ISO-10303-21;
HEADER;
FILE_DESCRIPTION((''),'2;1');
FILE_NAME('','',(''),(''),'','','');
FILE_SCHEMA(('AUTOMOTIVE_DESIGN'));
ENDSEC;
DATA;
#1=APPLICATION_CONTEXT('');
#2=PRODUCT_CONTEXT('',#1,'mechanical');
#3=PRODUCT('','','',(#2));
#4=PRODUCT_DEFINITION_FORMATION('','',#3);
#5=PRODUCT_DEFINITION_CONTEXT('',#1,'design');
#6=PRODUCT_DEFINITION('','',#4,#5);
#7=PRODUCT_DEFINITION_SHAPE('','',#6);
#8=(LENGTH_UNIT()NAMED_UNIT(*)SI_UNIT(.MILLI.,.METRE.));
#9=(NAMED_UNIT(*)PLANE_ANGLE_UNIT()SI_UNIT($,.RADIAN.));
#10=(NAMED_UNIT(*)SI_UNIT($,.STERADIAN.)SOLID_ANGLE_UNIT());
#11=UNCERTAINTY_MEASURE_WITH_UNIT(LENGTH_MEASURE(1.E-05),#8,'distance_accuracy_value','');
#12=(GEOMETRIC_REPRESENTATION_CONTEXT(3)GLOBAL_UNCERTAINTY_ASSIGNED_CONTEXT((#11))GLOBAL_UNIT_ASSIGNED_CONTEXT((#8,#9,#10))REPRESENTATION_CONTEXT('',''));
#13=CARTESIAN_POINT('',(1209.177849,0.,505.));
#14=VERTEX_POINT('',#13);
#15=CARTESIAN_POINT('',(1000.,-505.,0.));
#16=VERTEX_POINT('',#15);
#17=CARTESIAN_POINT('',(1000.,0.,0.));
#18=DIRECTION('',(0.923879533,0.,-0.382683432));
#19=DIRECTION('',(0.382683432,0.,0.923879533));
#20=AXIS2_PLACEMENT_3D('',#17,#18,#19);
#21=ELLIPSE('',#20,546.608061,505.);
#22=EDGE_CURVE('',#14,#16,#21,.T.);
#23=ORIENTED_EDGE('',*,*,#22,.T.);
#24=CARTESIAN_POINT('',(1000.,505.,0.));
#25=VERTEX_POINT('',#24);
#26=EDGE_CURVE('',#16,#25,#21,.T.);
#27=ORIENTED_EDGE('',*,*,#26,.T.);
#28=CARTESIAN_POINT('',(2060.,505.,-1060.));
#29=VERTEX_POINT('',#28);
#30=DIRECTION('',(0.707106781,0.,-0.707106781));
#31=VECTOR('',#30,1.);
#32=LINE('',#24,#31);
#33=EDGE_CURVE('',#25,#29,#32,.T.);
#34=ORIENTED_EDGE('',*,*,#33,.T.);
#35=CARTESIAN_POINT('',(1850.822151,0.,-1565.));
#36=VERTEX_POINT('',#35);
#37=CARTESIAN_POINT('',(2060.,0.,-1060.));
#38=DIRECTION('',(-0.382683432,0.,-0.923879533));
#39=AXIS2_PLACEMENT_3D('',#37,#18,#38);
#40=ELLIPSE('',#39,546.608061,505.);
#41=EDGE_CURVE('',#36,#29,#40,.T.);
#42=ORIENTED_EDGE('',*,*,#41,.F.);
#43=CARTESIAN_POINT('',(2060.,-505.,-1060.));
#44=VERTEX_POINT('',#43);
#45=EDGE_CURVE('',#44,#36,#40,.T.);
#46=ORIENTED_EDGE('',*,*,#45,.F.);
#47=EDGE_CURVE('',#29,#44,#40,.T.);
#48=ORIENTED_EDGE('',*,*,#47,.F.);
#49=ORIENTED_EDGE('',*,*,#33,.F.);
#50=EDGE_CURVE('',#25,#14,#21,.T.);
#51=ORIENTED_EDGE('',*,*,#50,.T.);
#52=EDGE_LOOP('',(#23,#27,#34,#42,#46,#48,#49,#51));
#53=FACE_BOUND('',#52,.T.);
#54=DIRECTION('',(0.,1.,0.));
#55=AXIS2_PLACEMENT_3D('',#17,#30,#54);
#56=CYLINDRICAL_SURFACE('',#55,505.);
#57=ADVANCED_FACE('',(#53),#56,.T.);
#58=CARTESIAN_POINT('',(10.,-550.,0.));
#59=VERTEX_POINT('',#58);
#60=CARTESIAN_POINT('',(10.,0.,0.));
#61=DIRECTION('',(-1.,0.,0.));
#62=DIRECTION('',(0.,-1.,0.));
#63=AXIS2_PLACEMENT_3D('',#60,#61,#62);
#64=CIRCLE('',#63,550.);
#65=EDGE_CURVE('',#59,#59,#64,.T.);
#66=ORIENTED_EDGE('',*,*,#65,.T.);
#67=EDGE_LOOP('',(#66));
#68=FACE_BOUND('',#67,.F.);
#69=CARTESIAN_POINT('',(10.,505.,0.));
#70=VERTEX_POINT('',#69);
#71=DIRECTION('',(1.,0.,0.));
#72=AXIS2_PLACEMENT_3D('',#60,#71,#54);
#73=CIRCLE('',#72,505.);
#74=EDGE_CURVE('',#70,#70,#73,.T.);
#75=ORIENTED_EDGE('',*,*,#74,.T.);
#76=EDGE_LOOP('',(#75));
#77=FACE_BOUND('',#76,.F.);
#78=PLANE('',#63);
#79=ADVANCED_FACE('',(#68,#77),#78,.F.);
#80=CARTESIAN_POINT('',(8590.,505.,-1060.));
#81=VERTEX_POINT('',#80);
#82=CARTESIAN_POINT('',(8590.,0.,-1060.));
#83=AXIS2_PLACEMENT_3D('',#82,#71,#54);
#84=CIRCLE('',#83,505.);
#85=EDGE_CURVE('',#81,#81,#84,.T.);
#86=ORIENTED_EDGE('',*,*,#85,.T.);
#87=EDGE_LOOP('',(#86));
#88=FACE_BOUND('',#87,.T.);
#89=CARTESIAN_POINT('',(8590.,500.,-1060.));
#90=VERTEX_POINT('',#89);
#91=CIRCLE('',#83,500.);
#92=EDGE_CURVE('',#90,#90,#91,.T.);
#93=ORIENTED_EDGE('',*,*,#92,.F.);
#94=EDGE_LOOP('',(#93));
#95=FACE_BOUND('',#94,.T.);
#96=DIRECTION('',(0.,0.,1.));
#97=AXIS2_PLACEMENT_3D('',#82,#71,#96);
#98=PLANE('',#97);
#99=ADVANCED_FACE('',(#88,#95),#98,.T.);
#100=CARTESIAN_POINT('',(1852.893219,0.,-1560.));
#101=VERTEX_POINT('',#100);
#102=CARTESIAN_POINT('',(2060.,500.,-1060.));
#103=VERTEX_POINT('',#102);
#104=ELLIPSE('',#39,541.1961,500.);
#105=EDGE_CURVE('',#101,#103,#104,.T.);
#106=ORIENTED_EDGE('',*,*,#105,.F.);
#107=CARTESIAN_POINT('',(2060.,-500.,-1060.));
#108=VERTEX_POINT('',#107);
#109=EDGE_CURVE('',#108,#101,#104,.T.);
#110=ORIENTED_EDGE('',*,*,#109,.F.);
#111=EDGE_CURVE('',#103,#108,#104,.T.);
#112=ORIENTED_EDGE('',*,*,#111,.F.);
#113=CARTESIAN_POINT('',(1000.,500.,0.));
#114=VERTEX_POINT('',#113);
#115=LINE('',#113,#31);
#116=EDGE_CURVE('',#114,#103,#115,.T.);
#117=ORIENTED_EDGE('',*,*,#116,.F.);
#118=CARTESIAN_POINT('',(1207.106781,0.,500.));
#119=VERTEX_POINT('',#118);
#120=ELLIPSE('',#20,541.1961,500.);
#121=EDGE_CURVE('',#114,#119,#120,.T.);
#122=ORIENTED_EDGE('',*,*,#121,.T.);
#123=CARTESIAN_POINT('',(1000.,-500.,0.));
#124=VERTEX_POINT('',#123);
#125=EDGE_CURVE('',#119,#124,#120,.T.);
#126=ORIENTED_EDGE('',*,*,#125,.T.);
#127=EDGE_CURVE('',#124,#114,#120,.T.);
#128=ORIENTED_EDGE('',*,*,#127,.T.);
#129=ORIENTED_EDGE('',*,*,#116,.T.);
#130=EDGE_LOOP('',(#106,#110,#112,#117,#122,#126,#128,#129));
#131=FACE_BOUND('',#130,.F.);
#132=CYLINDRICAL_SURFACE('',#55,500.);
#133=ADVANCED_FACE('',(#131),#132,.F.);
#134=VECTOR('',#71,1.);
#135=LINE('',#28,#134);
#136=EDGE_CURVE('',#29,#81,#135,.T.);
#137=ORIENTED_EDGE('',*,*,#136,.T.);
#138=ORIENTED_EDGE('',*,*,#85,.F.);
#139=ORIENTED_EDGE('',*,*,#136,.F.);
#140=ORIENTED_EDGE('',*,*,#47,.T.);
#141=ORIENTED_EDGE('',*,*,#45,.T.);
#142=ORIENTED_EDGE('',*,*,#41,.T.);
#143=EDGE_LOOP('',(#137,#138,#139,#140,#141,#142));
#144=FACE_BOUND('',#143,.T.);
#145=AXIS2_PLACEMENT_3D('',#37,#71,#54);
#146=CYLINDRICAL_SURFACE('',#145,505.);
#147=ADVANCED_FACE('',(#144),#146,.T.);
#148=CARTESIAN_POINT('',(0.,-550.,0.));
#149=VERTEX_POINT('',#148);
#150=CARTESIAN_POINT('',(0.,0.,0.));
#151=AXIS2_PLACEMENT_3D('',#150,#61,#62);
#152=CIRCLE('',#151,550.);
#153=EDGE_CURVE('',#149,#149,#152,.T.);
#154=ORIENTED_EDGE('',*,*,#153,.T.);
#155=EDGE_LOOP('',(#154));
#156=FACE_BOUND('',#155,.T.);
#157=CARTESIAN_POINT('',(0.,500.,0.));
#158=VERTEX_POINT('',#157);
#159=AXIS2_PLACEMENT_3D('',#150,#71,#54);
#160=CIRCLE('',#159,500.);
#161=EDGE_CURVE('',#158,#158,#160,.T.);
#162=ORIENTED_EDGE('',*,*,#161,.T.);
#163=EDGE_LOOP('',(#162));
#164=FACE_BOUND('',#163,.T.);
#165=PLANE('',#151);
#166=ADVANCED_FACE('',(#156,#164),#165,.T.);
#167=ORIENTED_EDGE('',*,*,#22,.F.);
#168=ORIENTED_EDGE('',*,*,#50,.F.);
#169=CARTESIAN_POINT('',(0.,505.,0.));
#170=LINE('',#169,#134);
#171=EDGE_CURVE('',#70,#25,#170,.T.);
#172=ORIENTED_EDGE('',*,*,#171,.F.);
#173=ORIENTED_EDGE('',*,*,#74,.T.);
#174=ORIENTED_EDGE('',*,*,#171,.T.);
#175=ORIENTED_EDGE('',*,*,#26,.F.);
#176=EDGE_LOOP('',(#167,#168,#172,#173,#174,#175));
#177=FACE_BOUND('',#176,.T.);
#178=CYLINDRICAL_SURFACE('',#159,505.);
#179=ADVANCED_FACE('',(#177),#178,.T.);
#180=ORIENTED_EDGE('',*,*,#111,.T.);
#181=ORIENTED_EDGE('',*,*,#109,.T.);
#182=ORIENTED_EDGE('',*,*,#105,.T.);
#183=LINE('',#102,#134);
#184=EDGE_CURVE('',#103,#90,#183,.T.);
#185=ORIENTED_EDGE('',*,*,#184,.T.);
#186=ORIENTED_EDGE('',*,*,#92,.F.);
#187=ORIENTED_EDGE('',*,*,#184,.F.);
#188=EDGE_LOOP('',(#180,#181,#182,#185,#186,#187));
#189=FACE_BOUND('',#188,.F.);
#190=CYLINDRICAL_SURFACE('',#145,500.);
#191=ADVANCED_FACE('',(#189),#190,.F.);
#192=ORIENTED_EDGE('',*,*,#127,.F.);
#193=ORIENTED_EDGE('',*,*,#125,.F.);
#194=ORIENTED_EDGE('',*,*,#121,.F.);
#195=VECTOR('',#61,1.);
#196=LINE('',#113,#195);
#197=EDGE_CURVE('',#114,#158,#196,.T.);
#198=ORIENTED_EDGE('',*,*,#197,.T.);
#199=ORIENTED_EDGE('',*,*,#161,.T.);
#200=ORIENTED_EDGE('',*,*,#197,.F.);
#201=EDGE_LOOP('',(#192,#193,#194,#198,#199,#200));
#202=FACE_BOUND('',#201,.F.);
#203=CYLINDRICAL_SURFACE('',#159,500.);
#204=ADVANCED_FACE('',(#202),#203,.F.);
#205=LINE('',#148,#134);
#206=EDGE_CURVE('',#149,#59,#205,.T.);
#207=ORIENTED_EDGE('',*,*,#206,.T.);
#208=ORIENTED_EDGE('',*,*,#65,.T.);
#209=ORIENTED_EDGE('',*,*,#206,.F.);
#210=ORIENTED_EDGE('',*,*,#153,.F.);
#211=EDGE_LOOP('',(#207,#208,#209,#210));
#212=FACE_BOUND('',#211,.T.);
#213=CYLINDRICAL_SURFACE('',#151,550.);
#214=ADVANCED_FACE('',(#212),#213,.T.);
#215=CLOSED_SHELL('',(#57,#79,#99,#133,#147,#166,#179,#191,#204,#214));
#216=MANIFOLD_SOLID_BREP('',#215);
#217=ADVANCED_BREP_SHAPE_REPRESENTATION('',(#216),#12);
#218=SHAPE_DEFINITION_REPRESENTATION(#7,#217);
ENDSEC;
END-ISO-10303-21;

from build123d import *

# Parameters (mm, degrees)
F1_R     = 505
F1_R_2   = 500
F3_R     = 550
F3_R_2   = 500
F4_DEPTH = 10


with BuildPart() as f2:
    # F2: sweep along a path in F0
    with BuildLine(Plane.XZ) as f2_path:
        Line((0, 0), (1000, 0))
        Line((1000, 0), (2060, -1060))
        Line((2060, -1060), (8590, -1060))
    # F1 (on Right) → F2 (sweep)
    with BuildSketch(Plane.YZ):
        Circle(F1_R)
        Circle(F1_R_2, mode=Mode.SUBTRACT)
    sweep(path=f2_path.line, transition=Transition.RIGHT)

    # F3 (on face) → F4 (join)
    with BuildSketch(Plane(origin=(0, 0, 0), x_dir=(0, -1, 0), z_dir=(-1, 0, 0))):
        Circle(F3_R)
        Circle(F3_R_2, mode=Mode.SUBTRACT)
    extrude(amount=-F4_DEPTH)


solid = f2.part
